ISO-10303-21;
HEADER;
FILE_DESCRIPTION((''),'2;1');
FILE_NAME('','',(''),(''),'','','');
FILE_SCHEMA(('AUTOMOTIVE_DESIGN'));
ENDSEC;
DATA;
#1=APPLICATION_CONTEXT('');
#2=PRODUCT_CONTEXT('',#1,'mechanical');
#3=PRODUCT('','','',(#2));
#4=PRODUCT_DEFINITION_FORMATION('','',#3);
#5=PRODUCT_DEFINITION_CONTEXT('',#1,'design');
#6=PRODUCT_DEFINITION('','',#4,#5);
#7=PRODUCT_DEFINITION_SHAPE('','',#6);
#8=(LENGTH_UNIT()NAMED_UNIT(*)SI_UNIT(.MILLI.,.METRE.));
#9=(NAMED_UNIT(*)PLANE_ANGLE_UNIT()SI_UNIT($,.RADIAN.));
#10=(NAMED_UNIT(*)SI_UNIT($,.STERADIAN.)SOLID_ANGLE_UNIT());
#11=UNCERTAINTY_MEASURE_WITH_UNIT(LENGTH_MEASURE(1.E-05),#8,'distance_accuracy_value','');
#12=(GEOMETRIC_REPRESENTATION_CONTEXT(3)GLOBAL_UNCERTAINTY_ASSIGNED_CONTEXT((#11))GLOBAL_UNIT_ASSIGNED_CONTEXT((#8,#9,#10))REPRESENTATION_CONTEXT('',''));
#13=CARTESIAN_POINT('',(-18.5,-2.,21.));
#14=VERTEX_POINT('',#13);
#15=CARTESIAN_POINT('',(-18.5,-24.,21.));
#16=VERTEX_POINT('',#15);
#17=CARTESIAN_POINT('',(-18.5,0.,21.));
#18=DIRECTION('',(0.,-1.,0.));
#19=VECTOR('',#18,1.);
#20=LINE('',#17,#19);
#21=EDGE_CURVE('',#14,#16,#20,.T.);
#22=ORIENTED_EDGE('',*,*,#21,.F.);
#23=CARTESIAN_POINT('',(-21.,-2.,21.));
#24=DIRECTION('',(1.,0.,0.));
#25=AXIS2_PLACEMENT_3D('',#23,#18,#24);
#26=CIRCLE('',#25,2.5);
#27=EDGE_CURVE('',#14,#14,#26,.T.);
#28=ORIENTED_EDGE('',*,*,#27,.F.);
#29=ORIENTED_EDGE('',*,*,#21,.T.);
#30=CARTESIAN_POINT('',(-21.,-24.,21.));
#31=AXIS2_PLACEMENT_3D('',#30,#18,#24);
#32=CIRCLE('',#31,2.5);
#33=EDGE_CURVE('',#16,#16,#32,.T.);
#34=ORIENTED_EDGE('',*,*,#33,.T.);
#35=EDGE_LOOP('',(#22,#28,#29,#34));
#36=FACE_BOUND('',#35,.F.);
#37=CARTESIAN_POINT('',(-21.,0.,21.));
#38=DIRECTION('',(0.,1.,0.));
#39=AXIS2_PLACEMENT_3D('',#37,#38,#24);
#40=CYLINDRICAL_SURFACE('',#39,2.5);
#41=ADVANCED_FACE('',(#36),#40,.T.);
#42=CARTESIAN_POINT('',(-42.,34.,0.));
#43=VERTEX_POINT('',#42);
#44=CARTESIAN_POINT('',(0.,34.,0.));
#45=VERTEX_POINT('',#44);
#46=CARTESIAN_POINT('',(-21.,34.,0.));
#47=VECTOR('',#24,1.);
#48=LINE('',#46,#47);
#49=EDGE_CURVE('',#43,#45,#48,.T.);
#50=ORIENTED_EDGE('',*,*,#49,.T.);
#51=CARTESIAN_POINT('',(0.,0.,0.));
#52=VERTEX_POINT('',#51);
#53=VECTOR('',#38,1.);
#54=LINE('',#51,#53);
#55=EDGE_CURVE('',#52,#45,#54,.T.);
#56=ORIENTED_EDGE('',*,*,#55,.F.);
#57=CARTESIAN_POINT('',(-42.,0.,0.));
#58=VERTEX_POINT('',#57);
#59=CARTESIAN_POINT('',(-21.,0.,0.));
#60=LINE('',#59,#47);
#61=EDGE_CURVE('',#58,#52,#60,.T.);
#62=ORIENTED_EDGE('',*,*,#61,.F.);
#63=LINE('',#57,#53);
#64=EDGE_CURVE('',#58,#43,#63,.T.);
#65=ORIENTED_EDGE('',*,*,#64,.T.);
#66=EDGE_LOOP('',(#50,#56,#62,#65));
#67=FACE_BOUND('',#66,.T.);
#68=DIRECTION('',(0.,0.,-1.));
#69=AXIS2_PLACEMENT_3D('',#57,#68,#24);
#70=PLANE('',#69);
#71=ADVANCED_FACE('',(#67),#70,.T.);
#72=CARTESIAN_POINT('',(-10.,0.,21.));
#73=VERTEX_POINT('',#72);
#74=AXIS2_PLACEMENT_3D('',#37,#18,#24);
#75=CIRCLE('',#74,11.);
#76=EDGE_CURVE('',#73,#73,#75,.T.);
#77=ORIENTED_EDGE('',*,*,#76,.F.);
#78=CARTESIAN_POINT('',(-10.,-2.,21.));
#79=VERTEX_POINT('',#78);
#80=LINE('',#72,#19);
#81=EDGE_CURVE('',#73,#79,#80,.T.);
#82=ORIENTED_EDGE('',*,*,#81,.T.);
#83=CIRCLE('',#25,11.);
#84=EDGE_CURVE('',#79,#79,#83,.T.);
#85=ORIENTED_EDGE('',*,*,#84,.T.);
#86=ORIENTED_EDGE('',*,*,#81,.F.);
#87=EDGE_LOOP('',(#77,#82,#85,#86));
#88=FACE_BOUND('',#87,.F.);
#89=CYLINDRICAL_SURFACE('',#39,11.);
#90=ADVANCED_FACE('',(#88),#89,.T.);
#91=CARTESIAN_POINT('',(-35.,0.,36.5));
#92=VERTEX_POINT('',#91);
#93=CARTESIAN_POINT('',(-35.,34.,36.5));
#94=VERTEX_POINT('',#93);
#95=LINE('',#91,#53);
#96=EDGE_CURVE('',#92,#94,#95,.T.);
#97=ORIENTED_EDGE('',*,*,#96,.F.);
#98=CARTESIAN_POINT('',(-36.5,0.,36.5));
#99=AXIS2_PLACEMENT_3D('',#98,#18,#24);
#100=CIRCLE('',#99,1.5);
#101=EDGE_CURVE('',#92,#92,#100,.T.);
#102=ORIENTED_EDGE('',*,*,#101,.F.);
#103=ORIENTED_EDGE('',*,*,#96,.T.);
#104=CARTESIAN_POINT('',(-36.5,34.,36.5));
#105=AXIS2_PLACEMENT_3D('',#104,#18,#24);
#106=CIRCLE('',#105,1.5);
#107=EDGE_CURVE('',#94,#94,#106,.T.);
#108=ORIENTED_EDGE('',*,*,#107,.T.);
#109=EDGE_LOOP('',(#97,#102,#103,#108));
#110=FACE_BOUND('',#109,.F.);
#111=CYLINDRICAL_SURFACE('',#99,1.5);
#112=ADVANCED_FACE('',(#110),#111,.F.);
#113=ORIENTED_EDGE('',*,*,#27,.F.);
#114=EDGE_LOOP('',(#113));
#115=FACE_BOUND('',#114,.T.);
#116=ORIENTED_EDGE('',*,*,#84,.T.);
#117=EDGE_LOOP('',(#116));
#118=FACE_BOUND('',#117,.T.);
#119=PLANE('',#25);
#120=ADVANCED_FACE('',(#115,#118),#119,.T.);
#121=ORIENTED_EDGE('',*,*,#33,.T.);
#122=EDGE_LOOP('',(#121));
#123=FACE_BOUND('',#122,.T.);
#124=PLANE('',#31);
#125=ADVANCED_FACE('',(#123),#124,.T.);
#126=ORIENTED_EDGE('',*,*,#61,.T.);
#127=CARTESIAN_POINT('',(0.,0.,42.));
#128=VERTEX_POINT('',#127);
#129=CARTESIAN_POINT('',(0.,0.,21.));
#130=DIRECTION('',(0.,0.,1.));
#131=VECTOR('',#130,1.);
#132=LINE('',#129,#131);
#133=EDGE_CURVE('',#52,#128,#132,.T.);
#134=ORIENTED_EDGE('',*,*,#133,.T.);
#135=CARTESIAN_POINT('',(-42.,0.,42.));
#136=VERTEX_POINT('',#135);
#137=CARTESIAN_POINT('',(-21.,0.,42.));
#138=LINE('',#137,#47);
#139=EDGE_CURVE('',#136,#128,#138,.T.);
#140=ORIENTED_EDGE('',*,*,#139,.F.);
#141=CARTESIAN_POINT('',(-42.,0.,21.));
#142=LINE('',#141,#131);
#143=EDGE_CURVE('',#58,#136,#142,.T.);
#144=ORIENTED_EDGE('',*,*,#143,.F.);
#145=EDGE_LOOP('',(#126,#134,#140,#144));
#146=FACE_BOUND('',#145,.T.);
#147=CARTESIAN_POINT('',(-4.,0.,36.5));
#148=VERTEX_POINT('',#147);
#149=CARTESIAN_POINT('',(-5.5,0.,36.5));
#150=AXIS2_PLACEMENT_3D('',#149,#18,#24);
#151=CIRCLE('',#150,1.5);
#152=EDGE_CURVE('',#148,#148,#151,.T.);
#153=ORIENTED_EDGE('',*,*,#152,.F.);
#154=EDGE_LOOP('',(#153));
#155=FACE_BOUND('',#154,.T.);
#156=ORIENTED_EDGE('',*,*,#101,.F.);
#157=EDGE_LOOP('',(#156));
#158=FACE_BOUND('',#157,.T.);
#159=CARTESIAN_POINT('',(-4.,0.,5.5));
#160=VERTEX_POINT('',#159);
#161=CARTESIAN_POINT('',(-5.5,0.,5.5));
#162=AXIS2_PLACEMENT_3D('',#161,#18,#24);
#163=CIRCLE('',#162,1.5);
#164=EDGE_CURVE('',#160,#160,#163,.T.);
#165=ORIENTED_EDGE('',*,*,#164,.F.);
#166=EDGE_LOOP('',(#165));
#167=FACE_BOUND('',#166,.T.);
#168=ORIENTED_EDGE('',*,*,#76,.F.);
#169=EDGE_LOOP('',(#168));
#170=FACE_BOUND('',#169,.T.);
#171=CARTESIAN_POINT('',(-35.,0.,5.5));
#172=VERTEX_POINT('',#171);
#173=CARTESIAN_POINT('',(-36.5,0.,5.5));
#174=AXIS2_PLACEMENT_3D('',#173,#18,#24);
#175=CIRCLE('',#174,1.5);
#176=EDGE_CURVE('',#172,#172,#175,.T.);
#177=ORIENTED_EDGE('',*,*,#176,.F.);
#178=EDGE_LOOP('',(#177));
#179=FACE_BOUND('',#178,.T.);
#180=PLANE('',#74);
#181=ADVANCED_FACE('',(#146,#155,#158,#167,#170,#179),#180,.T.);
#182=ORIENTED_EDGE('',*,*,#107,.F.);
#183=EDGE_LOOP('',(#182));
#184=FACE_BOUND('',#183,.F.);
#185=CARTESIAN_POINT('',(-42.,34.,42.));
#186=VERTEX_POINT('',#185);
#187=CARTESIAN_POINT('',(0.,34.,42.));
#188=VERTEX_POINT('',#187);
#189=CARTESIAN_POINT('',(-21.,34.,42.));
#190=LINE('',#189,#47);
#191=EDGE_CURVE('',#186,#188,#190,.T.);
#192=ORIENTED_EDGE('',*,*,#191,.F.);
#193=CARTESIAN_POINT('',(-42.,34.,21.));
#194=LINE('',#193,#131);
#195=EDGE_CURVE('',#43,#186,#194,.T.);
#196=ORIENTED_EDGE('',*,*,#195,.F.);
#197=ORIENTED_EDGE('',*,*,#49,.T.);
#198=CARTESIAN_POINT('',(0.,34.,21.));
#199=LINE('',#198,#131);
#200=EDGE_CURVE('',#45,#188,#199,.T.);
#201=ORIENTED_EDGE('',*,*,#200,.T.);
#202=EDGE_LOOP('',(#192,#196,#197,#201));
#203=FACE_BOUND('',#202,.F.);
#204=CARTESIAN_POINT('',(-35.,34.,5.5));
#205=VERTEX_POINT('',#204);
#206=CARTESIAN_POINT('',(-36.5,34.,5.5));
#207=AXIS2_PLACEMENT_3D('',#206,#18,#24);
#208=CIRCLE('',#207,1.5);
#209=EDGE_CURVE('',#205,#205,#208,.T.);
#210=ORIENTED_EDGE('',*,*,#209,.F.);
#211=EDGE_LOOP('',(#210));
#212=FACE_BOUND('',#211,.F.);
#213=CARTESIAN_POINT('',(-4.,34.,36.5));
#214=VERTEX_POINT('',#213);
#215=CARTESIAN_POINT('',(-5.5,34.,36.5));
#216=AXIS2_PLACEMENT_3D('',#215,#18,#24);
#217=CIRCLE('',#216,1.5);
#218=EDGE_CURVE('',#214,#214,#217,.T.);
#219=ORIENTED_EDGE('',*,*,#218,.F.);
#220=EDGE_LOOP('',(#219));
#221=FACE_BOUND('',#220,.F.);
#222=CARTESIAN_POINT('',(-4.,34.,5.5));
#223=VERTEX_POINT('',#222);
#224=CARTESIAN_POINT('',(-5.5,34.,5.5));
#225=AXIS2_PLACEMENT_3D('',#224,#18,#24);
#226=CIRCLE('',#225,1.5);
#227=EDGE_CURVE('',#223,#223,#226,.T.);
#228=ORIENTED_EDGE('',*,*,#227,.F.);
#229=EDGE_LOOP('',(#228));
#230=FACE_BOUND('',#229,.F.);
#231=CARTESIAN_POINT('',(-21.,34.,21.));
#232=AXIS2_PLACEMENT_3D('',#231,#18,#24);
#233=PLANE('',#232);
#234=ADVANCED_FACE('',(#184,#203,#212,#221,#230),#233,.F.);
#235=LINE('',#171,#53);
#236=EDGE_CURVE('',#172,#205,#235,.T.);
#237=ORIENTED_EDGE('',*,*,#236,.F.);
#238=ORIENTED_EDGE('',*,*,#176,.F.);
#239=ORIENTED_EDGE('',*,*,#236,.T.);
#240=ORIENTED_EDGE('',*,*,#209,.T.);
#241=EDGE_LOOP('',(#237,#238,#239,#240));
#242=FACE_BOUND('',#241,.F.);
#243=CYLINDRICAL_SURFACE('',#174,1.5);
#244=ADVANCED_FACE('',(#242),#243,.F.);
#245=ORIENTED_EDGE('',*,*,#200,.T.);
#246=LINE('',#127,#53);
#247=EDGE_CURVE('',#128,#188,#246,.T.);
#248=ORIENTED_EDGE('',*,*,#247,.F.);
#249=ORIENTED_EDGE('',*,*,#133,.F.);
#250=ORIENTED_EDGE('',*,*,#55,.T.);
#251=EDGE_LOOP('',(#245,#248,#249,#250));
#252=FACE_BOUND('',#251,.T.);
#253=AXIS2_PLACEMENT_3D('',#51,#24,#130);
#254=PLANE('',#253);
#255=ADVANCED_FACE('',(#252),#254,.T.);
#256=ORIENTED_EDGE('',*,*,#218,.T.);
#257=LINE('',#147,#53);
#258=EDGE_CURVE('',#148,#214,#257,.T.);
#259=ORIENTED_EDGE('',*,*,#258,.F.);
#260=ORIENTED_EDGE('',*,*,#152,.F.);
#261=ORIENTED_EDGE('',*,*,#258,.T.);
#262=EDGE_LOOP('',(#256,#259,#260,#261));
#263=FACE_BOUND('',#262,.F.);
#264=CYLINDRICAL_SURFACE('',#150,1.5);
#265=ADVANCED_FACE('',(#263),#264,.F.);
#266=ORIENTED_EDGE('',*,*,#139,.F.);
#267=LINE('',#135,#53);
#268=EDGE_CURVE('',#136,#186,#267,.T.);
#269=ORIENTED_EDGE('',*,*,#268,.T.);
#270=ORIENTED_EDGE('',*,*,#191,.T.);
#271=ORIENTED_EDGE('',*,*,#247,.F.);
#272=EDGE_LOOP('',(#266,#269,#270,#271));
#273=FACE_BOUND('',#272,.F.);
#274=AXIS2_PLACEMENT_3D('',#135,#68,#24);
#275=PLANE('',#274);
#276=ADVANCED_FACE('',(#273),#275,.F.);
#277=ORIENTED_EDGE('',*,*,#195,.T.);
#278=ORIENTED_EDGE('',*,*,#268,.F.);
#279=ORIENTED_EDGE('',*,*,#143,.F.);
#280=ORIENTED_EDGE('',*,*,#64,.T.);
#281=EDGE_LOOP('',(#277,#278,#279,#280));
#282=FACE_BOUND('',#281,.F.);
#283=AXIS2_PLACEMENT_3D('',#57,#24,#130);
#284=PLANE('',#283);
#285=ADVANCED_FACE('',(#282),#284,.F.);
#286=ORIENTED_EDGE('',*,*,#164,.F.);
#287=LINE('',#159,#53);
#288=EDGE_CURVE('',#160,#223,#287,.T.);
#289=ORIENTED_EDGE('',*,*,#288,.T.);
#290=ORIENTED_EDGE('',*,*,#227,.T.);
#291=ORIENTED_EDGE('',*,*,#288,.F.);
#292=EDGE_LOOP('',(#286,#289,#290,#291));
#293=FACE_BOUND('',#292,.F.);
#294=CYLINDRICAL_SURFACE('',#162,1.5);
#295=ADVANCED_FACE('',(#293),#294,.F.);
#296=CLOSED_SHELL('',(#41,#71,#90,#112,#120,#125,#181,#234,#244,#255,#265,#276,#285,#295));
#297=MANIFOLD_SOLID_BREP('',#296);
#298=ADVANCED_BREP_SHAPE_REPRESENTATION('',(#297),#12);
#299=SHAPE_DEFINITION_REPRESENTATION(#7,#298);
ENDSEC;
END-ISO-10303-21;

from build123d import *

# Parameters (mm, degrees)
F0_W     = 42
F0_H     = 42
F0_R     = 1.5
F0_R_2   = 11
F0_R_3   = 2.5
F1_DEPTH = 34
F2_DEPTH = 24
F3_DEPTH = 2


with BuildPart() as f1:
    # F0 (on Front) → F1 (new body)
    with BuildSketch(Plane.XZ):
        with Locations((-21, 21)):
            Rectangle(F0_W, F0_H)
        with Locations((-36.5, 5.5)):
            Circle(F0_R, mode=Mode.SUBTRACT)
        with Locations((-5.5, 5.5)):
            Circle(F0_R, mode=Mode.SUBTRACT)
        with Locations((-36.5, 36.5)):
            Circle(F0_R, mode=Mode.SUBTRACT)
        with Locations((-21, 21)):
            Circle(F0_R_2, mode=Mode.SUBTRACT)
        with Locations((-5.5, 36.5)):
            Circle(F0_R, mode=Mode.SUBTRACT)
        with Locations((-21, 21)):
            Circle(F0_R_2)
        with Locations((-21, 21)):
            Circle(F0_R_3, mode=Mode.SUBTRACT)
        with Locations((-21, 21)):
            Circle(F0_R_3)
    extrude(amount=-F1_DEPTH)

    # F0 (on Front) → F2 (join)
    with BuildSketch(Plane.XZ):
        with Locations((-21, 21)):
            Circle(F0_R_3)
    extrude(amount=F2_DEPTH)

    # F0 (on Front) → F3 (join)
    with BuildSketch(Plane.XZ):
        with Locations((-21, 21)):
            Circle(F0_R_2)
        with Locations((-21, 21)):
            Circle(F0_R_3, mode=Mode.SUBTRACT)
    extrude(amount=F3_DEPTH)


solid = f1.part
